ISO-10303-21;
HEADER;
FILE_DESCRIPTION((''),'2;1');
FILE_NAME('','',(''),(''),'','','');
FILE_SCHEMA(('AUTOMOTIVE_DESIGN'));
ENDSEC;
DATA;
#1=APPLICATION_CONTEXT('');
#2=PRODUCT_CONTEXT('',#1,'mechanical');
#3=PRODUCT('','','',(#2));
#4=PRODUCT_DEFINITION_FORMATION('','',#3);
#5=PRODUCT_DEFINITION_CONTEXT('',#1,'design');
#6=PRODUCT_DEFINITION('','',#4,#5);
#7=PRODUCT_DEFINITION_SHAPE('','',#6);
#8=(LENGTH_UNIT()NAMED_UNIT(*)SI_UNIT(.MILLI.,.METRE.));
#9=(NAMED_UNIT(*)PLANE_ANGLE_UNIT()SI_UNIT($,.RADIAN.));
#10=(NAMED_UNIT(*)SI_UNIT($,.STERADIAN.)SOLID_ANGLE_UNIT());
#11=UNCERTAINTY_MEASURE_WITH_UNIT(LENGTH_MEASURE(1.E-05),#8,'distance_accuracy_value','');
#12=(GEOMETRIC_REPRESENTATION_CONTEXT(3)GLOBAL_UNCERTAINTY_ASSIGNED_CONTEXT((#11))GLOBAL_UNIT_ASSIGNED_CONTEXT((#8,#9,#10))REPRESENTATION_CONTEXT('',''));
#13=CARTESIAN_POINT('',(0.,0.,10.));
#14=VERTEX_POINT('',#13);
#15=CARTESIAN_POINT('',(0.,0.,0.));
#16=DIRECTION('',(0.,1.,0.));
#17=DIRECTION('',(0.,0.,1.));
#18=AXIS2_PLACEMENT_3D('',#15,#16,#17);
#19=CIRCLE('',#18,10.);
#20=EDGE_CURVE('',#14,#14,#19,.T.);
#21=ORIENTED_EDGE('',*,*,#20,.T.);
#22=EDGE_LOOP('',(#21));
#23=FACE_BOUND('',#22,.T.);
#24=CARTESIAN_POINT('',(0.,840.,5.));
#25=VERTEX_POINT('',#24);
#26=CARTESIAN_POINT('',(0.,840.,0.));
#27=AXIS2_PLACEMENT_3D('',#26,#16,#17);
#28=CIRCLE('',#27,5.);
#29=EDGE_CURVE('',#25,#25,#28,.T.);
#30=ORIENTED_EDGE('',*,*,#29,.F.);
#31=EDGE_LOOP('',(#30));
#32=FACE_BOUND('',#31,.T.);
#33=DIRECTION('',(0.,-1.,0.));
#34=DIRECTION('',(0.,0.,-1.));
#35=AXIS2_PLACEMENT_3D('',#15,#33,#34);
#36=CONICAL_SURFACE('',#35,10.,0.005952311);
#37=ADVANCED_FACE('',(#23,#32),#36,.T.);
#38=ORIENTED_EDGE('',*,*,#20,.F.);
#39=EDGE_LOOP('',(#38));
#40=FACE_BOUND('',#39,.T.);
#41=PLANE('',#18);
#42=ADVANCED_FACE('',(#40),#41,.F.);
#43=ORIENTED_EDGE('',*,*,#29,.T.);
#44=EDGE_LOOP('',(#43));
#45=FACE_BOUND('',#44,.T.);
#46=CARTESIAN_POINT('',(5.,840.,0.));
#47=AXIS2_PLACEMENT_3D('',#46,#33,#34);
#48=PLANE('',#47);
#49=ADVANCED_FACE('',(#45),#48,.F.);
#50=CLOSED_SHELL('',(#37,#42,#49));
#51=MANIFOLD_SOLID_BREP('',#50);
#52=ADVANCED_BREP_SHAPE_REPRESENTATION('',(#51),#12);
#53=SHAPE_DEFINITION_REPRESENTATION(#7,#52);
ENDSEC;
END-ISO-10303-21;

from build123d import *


with BuildPart() as part:
    # Esquisse1 → Révolution1 (revolve)
    with BuildSketch(Plane.XY, mode=Mode.PRIVATE) as r_volution1_sk:
        Polygon((0, 0), (10, 0), (5, 840), (0, 840), align=None)
    revolve(r_volution1_sk.sketch.rotate(Axis((0, 840, 0), (0, -1, 0)), 90), axis=Axis((0, 840, 0), (0, -1, 0)))


solid = part.part
